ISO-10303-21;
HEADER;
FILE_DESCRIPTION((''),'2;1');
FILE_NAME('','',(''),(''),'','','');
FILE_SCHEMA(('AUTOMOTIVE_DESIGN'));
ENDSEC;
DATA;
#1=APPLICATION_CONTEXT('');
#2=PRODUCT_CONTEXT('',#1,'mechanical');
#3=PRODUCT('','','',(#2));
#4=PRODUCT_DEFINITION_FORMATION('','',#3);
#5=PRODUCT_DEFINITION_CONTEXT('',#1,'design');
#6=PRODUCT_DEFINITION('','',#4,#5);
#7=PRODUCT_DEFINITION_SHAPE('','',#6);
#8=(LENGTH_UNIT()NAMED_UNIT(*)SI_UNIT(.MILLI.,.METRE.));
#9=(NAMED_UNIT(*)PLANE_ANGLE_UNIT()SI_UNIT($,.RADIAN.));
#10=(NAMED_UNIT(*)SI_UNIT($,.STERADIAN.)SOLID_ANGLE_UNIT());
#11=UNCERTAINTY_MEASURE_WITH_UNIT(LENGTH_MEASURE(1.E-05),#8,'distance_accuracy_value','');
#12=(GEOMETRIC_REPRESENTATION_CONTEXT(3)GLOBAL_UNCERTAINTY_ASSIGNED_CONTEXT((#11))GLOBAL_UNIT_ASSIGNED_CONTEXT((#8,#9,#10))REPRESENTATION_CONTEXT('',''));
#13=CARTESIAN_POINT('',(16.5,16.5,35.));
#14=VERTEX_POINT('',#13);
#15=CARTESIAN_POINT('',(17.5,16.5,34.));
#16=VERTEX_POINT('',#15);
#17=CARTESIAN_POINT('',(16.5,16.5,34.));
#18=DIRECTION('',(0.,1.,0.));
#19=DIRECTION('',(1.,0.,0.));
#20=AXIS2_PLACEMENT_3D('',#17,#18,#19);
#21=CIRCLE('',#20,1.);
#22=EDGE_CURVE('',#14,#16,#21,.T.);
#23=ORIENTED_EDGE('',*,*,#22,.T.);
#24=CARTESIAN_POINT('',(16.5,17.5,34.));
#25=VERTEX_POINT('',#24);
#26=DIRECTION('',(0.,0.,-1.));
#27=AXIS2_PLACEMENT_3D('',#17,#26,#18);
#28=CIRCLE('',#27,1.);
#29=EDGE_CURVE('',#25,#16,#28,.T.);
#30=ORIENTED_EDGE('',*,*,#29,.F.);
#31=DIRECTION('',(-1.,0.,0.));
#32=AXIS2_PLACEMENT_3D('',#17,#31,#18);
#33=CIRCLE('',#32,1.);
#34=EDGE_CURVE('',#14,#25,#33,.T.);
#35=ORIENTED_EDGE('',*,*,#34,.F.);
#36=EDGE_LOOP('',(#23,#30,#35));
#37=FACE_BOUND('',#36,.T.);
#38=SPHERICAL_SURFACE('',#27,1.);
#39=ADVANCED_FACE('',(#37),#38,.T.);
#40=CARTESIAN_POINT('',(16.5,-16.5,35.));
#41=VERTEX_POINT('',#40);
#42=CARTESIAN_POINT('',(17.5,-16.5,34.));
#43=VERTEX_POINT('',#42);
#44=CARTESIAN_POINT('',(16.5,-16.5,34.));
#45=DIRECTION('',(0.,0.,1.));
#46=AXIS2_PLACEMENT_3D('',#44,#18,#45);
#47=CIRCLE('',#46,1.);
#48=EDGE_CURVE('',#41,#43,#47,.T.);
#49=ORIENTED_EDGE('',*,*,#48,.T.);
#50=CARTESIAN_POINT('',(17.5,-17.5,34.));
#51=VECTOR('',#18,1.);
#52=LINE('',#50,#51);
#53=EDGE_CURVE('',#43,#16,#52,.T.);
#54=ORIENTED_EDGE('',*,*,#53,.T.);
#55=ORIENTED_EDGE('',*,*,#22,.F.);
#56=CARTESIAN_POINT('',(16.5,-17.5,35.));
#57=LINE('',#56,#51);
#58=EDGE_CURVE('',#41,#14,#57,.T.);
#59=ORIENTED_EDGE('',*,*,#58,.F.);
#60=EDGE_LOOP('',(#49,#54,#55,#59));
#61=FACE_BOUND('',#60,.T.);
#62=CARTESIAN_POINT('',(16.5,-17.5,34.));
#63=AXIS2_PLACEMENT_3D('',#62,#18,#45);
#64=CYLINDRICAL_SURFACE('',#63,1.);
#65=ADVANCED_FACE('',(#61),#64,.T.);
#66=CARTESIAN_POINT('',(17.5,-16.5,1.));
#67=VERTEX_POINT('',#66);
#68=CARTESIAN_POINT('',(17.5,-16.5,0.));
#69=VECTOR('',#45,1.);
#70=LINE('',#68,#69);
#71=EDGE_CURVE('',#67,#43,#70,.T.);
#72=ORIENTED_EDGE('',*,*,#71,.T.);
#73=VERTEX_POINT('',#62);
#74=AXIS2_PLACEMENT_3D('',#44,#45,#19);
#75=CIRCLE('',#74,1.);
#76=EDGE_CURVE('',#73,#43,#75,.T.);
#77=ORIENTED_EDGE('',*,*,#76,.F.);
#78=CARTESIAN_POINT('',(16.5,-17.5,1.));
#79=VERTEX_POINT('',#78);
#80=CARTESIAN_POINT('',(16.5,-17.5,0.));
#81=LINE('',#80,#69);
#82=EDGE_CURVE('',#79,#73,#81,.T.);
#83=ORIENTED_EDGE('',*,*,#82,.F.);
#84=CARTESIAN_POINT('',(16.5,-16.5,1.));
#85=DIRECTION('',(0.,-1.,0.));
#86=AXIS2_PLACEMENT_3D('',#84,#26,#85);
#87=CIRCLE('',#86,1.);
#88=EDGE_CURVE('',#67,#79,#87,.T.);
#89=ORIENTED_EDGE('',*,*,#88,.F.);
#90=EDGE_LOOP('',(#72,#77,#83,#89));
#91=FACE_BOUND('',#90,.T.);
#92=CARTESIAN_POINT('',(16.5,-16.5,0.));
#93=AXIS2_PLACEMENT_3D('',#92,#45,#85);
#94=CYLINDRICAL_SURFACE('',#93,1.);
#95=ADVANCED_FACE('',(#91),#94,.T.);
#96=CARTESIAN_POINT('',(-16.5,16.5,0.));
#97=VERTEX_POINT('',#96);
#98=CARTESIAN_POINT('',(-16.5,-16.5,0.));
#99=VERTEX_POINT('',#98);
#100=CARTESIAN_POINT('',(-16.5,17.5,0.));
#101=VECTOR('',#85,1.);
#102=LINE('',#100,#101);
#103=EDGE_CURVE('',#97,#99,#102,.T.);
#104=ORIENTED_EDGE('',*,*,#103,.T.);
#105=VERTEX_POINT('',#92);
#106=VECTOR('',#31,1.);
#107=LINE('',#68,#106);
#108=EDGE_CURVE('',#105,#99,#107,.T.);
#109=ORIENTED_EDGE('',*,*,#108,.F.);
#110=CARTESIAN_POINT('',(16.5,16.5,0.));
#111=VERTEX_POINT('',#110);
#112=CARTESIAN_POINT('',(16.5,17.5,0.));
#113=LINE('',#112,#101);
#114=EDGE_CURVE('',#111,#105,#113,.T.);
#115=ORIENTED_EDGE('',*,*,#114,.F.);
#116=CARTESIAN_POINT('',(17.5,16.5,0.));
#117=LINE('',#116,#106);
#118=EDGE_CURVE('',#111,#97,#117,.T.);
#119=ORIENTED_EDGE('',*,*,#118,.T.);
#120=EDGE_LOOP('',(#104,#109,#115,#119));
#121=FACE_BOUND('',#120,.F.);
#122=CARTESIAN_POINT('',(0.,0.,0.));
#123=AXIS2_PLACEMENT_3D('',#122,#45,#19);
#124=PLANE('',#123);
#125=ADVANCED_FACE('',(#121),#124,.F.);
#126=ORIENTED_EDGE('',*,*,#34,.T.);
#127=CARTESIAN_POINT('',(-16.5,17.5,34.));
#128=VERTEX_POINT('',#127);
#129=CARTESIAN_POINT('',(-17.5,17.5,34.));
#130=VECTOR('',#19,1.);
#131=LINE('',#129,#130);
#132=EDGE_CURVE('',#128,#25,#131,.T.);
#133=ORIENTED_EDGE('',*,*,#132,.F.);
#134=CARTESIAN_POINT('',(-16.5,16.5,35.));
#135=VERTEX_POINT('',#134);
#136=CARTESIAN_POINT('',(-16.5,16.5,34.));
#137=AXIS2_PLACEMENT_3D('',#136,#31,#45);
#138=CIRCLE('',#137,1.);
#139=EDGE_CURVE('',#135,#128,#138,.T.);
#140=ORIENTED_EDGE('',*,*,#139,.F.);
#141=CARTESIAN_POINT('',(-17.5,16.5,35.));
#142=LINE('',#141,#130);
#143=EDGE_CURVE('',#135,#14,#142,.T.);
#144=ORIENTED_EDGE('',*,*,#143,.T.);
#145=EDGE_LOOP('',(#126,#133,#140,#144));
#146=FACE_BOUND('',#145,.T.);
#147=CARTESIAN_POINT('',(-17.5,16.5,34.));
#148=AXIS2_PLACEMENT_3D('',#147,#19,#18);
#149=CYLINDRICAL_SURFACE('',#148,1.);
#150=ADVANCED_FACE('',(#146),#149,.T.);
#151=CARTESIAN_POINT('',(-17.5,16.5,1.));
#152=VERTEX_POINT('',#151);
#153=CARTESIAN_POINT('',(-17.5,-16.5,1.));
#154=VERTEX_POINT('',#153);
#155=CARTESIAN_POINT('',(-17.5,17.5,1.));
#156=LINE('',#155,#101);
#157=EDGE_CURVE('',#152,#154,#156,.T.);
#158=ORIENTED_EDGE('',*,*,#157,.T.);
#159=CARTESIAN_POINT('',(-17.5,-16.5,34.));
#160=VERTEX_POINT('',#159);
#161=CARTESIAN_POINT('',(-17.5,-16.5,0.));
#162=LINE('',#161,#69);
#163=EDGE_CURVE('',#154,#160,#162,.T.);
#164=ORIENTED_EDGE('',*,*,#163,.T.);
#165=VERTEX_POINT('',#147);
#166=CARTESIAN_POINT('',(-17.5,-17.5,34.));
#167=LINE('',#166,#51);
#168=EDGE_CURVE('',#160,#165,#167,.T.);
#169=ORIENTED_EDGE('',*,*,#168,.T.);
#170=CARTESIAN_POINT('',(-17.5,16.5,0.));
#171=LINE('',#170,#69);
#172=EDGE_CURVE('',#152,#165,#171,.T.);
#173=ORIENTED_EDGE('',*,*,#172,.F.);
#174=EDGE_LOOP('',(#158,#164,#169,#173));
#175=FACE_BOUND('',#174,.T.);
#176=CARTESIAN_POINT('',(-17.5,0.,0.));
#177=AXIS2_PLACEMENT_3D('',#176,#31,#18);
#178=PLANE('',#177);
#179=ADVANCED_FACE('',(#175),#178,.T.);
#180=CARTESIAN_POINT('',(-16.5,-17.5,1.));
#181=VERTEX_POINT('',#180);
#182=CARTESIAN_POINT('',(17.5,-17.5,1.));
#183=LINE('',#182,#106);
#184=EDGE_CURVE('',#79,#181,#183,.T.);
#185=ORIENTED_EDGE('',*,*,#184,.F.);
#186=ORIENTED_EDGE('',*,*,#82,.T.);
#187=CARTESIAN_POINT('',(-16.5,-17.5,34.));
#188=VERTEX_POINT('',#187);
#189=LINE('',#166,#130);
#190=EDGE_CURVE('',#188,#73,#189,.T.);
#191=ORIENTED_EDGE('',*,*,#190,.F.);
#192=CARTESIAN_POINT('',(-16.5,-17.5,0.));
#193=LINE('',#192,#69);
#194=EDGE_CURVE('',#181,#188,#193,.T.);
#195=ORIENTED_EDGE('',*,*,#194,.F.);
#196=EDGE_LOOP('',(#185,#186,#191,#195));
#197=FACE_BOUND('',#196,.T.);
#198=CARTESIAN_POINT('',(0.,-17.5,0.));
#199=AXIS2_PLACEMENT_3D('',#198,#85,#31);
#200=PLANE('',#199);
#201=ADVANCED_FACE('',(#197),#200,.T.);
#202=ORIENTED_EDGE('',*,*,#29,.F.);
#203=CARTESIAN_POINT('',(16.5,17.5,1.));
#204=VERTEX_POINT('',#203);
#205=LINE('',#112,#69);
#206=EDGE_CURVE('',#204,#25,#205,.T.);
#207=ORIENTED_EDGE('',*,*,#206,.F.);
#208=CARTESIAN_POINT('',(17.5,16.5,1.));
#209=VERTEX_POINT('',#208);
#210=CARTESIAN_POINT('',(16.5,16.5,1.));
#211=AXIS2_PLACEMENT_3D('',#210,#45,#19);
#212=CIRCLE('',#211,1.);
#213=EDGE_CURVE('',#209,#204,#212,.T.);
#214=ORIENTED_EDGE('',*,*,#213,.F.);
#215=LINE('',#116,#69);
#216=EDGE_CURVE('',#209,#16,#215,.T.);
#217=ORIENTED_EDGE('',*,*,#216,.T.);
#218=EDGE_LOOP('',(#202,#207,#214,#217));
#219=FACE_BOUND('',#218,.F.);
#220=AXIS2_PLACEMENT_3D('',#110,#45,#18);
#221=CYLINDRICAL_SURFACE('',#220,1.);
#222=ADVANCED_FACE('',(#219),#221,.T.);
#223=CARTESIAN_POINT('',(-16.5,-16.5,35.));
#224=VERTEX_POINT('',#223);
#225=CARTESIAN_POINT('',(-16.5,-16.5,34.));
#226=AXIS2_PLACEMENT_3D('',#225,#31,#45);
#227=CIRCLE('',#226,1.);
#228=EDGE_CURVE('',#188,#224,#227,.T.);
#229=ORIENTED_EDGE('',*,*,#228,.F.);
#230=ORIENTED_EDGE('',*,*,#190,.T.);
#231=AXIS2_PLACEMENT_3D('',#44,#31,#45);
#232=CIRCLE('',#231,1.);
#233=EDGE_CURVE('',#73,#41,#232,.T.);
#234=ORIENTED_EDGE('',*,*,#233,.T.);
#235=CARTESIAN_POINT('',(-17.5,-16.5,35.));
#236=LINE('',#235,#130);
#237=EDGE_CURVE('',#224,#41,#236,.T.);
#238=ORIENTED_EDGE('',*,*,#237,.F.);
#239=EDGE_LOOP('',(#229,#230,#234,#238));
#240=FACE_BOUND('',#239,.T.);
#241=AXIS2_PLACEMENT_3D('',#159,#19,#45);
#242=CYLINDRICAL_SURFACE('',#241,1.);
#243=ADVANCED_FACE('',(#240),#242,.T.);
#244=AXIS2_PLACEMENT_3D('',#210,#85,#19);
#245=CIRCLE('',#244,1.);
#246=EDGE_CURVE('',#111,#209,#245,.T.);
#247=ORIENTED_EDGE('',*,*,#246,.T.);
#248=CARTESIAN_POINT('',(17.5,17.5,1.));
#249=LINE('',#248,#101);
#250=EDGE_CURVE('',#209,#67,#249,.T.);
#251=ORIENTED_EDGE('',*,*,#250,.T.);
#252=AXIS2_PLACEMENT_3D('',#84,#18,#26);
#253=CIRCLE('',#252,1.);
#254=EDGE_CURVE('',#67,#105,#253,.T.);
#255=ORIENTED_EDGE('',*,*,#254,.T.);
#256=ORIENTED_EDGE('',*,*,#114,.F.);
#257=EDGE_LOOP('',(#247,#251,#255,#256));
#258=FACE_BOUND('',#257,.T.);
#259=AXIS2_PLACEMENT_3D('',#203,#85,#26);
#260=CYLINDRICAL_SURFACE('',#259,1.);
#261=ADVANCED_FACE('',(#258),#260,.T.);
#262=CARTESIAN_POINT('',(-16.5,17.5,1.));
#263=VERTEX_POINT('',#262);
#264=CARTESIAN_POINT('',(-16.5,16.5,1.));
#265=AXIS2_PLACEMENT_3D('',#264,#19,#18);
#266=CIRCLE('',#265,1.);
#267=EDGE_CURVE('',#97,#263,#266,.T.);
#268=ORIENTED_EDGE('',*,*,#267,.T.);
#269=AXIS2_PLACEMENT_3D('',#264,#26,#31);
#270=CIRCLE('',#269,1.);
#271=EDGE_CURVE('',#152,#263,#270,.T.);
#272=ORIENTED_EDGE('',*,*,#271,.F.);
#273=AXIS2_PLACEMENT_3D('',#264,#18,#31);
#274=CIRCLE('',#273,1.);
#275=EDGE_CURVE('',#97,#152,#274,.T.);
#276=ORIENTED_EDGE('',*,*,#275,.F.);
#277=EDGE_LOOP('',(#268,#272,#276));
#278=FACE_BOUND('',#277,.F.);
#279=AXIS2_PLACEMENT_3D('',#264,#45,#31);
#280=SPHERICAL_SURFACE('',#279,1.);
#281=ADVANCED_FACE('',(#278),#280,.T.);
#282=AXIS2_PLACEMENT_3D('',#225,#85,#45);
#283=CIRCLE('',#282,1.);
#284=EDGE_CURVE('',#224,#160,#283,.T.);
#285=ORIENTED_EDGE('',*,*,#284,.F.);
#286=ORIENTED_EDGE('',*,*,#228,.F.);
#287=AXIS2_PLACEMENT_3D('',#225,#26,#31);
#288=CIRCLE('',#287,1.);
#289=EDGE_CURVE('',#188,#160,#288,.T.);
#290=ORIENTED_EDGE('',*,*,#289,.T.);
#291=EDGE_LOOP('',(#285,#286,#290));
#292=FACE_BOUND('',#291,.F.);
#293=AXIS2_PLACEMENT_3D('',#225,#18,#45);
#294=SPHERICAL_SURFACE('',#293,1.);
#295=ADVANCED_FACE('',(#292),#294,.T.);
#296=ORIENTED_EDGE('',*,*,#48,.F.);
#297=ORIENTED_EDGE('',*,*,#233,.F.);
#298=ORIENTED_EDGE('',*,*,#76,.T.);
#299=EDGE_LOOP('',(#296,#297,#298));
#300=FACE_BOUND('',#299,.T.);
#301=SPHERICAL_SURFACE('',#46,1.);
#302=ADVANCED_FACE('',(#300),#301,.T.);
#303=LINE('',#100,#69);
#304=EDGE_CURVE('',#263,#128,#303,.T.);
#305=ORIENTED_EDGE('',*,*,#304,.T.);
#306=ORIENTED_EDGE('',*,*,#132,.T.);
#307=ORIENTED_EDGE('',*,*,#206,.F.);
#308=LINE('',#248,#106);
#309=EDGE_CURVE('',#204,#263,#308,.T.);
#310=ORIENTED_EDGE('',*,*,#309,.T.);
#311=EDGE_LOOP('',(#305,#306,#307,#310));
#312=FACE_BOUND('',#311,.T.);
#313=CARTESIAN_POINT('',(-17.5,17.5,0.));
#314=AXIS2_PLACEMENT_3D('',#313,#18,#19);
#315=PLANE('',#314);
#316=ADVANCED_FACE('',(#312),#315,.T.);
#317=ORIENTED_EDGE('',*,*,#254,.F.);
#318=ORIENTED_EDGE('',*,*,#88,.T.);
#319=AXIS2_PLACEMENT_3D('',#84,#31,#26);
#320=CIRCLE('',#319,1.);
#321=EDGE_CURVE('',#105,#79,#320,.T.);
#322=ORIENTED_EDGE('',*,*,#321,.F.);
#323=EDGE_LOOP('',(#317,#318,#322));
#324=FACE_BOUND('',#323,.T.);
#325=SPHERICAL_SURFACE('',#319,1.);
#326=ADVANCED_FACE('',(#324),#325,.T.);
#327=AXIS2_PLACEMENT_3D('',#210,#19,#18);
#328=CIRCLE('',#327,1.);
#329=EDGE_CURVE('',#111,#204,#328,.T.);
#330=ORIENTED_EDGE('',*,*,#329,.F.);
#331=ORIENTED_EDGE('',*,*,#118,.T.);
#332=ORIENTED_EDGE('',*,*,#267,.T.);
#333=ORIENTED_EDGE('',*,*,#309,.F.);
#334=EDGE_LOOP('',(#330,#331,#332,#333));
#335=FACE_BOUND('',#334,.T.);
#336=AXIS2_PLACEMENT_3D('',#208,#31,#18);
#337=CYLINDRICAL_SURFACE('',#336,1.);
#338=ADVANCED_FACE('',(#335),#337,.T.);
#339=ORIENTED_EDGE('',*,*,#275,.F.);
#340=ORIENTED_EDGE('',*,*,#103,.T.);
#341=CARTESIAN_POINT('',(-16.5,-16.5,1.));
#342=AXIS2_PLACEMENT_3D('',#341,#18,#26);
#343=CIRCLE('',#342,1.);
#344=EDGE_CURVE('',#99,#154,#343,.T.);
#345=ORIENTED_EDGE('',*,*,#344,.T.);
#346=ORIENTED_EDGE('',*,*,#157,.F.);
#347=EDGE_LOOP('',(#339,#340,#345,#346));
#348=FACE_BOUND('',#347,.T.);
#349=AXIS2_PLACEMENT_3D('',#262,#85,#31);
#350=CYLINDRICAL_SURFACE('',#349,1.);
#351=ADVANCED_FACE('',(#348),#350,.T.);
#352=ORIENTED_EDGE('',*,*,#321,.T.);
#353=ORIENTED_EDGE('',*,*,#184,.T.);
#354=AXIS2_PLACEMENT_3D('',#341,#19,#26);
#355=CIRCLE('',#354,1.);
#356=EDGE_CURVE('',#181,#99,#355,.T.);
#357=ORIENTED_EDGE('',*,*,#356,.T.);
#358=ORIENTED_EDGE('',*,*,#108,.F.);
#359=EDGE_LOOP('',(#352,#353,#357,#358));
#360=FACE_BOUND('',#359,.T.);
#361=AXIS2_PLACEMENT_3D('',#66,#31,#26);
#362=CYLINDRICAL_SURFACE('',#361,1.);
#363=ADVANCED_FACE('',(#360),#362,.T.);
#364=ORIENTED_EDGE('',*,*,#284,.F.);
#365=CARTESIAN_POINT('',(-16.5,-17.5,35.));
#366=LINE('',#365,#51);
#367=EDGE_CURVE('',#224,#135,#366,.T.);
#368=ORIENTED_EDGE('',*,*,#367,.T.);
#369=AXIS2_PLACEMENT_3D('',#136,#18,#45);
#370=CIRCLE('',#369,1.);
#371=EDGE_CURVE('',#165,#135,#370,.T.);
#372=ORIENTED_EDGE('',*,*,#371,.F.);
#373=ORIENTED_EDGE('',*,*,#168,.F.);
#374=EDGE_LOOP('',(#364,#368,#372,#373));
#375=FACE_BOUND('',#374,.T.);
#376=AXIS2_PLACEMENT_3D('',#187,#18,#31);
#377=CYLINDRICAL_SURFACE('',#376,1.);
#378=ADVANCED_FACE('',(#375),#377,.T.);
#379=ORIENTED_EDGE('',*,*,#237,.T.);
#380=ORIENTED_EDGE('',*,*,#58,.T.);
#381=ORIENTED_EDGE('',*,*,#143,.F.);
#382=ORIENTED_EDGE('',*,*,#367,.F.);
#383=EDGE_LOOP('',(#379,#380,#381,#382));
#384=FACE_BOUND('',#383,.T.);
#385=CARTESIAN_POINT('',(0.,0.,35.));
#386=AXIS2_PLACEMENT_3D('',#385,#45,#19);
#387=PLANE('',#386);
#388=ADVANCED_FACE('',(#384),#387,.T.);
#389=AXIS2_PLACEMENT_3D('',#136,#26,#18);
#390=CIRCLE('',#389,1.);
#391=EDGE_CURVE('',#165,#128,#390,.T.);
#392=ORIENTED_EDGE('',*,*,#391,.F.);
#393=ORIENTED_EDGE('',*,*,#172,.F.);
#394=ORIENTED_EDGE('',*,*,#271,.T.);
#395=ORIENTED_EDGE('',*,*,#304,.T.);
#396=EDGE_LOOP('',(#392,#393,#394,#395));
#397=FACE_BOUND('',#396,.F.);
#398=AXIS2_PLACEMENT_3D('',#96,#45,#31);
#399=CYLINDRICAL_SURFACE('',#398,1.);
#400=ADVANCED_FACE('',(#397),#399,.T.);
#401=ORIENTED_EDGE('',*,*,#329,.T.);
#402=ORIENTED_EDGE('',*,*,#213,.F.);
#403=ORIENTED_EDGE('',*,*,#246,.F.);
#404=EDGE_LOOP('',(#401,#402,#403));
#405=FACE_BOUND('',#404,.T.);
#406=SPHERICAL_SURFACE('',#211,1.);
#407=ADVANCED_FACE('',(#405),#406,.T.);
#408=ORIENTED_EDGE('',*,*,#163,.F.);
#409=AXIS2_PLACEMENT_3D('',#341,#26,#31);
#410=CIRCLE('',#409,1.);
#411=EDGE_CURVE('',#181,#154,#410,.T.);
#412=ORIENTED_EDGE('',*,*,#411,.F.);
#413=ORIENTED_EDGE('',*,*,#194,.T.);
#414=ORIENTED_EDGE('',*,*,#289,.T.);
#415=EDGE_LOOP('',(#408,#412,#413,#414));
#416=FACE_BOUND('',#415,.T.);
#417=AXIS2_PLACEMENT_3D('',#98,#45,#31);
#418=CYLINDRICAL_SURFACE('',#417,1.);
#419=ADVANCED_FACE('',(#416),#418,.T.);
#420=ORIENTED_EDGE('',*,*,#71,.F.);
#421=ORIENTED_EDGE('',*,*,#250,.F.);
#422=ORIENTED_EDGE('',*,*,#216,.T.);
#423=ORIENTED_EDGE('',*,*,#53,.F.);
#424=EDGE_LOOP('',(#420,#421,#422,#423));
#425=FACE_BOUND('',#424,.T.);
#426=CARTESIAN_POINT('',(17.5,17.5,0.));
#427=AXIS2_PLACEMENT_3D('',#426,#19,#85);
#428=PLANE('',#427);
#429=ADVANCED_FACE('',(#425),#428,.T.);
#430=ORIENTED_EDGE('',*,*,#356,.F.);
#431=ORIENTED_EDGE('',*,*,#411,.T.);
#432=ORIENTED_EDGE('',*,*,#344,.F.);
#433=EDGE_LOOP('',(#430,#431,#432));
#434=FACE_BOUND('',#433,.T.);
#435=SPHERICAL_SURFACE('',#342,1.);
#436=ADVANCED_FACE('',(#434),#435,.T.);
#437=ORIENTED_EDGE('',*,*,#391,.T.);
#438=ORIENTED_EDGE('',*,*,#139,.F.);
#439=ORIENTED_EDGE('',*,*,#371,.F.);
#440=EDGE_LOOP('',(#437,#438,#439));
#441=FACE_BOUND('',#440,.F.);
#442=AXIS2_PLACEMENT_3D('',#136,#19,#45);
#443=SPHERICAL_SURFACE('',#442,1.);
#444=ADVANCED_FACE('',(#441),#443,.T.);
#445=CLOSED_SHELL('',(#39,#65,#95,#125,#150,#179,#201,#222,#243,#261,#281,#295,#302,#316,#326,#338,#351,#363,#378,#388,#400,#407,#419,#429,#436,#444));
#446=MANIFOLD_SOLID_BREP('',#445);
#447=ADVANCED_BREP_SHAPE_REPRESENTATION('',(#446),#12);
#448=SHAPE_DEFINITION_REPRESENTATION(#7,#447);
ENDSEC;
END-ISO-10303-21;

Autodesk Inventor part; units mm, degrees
ref_plane "YZ Plane" through (0, 0, 0) normal (1, 0, 0) x (0, 1, 0)
ref_plane "XZ Plane" through (0, 0, 0) normal (0, 1, 0) x (-1, 0, 0)
ref_plane "XY Plane" through (0, 0, 0) normal (0, 0, 1) x (1, 0, 0)
sketch "Náčrt1" plane through (0, 0, 0) normal (0, 0, 1) x (1, 0, 0)
  line L0 (-24.5, 0) -> (24.5, 0) projected
  line L1 (0, -24.5) -> (0, 24.5) projected
  line L2 (-17.5, 17.5) -> (17.5, 17.5)
  line L3 (17.5, 17.5) -> (17.5, -17.5)
  line L4 (17.5, -17.5) -> (-17.5, -17.5)
  line L5 (-17.5, -17.5) -> (-17.5, 17.5)
  point P0 (0, 0)
  dimension "d0" = 35
  dimension "d1" = 35
extrude "Vysunutí1" add sketch "Náčrt1" along normal blind 35
fillet "Zaoblení1" radius 1 12 edges at (17.5, 17.5, 17.5) (0, 17.5, 35) (17.5, 0, 35) (-17.5, 0, 35) (-17.5, 17.5, 17.5) (-17.5, 0, 0) (0, -17.5, 0) (0, -17.5, 35) (-17.5, -17.5, 17.5) (17.5, 0, 0) (17.5, -17.5, 17.5) (0, 17.5, 0)
equation "\"d1\" = d0"
equation "\"d2\" = d1"
properties part number "Item"
